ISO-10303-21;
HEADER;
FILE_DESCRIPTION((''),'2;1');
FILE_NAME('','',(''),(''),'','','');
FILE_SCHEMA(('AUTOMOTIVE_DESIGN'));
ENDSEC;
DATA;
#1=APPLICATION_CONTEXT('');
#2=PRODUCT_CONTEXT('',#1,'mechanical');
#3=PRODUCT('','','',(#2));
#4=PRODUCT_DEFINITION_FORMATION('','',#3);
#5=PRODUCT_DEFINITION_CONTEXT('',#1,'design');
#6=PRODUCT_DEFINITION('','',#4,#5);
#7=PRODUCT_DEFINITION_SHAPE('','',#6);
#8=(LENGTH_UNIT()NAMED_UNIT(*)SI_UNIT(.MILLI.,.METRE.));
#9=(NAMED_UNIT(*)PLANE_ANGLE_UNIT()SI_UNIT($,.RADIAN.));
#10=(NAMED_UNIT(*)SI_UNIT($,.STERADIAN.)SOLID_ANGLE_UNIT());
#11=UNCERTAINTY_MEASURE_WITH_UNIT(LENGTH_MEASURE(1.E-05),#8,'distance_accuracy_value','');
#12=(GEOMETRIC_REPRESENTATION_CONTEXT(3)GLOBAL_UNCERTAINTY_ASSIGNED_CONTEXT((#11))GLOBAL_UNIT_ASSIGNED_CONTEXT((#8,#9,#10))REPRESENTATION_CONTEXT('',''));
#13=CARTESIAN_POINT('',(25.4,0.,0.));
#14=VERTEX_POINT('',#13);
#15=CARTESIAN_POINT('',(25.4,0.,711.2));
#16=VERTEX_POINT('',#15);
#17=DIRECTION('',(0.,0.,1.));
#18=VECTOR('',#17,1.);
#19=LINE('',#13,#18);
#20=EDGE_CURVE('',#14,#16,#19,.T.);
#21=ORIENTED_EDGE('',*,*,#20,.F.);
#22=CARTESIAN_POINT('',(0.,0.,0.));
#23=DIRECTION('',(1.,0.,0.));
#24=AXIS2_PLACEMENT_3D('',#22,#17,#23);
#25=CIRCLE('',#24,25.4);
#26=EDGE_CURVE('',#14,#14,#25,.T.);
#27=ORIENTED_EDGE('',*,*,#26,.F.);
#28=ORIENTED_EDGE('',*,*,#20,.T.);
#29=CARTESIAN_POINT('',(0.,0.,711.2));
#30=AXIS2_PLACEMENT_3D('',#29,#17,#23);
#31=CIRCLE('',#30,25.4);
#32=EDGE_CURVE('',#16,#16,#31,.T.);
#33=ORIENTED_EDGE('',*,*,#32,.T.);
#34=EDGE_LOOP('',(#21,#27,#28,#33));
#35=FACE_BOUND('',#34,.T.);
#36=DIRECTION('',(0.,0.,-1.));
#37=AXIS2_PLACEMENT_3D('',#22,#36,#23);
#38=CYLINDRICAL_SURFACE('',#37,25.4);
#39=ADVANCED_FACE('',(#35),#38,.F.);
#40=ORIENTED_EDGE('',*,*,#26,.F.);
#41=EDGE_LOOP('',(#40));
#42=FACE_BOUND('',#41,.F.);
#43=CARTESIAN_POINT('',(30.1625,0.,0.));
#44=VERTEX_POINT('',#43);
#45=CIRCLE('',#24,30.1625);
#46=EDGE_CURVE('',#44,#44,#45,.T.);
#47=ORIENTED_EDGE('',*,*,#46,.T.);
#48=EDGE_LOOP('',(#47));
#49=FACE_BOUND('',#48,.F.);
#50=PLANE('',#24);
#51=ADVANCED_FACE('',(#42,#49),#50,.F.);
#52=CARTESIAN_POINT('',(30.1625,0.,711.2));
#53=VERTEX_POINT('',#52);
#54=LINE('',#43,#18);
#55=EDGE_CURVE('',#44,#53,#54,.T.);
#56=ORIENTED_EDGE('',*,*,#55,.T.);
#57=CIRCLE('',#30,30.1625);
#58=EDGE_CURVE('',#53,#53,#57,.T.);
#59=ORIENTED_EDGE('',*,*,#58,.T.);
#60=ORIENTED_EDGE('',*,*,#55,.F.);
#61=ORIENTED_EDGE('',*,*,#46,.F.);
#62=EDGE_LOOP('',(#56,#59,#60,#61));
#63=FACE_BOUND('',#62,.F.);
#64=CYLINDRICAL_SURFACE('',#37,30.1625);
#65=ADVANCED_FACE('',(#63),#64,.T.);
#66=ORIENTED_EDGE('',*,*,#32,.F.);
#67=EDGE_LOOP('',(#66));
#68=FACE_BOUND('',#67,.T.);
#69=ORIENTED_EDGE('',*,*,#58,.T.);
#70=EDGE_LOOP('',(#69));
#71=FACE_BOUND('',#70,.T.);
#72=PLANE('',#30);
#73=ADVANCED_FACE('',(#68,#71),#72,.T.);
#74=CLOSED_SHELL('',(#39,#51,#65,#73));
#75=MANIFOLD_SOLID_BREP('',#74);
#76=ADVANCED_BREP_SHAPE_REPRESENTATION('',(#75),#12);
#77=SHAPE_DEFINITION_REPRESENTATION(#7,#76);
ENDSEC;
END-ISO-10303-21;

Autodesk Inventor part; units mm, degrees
ref_plane "YZ Plane" through (0, 0, 0) normal (1, 0, 0) x (0, 1, 0)
ref_plane "XZ Plane" through (0, 0, 0) normal (0, 1, 0) x (-1, 0, 0)
ref_plane "XY Plane" through (0, 0, 0) normal (0, 0, 1) x (1, 0, 0)
sketch "Sketch1" plane through (0, 0, 0) normal (0, 0, 1) x (1, 0, 0)
  circle A0 centre (0, 0) radius 25.4
  circle A1 centre (0, 0) radius 30.1625
  dimension "d0" = 50.8
  dimension "d1" = 60.325
extrude "Extrusion1" add sketch "Sketch1" along normal blind 711.2
properties part number "28 in Seg"
